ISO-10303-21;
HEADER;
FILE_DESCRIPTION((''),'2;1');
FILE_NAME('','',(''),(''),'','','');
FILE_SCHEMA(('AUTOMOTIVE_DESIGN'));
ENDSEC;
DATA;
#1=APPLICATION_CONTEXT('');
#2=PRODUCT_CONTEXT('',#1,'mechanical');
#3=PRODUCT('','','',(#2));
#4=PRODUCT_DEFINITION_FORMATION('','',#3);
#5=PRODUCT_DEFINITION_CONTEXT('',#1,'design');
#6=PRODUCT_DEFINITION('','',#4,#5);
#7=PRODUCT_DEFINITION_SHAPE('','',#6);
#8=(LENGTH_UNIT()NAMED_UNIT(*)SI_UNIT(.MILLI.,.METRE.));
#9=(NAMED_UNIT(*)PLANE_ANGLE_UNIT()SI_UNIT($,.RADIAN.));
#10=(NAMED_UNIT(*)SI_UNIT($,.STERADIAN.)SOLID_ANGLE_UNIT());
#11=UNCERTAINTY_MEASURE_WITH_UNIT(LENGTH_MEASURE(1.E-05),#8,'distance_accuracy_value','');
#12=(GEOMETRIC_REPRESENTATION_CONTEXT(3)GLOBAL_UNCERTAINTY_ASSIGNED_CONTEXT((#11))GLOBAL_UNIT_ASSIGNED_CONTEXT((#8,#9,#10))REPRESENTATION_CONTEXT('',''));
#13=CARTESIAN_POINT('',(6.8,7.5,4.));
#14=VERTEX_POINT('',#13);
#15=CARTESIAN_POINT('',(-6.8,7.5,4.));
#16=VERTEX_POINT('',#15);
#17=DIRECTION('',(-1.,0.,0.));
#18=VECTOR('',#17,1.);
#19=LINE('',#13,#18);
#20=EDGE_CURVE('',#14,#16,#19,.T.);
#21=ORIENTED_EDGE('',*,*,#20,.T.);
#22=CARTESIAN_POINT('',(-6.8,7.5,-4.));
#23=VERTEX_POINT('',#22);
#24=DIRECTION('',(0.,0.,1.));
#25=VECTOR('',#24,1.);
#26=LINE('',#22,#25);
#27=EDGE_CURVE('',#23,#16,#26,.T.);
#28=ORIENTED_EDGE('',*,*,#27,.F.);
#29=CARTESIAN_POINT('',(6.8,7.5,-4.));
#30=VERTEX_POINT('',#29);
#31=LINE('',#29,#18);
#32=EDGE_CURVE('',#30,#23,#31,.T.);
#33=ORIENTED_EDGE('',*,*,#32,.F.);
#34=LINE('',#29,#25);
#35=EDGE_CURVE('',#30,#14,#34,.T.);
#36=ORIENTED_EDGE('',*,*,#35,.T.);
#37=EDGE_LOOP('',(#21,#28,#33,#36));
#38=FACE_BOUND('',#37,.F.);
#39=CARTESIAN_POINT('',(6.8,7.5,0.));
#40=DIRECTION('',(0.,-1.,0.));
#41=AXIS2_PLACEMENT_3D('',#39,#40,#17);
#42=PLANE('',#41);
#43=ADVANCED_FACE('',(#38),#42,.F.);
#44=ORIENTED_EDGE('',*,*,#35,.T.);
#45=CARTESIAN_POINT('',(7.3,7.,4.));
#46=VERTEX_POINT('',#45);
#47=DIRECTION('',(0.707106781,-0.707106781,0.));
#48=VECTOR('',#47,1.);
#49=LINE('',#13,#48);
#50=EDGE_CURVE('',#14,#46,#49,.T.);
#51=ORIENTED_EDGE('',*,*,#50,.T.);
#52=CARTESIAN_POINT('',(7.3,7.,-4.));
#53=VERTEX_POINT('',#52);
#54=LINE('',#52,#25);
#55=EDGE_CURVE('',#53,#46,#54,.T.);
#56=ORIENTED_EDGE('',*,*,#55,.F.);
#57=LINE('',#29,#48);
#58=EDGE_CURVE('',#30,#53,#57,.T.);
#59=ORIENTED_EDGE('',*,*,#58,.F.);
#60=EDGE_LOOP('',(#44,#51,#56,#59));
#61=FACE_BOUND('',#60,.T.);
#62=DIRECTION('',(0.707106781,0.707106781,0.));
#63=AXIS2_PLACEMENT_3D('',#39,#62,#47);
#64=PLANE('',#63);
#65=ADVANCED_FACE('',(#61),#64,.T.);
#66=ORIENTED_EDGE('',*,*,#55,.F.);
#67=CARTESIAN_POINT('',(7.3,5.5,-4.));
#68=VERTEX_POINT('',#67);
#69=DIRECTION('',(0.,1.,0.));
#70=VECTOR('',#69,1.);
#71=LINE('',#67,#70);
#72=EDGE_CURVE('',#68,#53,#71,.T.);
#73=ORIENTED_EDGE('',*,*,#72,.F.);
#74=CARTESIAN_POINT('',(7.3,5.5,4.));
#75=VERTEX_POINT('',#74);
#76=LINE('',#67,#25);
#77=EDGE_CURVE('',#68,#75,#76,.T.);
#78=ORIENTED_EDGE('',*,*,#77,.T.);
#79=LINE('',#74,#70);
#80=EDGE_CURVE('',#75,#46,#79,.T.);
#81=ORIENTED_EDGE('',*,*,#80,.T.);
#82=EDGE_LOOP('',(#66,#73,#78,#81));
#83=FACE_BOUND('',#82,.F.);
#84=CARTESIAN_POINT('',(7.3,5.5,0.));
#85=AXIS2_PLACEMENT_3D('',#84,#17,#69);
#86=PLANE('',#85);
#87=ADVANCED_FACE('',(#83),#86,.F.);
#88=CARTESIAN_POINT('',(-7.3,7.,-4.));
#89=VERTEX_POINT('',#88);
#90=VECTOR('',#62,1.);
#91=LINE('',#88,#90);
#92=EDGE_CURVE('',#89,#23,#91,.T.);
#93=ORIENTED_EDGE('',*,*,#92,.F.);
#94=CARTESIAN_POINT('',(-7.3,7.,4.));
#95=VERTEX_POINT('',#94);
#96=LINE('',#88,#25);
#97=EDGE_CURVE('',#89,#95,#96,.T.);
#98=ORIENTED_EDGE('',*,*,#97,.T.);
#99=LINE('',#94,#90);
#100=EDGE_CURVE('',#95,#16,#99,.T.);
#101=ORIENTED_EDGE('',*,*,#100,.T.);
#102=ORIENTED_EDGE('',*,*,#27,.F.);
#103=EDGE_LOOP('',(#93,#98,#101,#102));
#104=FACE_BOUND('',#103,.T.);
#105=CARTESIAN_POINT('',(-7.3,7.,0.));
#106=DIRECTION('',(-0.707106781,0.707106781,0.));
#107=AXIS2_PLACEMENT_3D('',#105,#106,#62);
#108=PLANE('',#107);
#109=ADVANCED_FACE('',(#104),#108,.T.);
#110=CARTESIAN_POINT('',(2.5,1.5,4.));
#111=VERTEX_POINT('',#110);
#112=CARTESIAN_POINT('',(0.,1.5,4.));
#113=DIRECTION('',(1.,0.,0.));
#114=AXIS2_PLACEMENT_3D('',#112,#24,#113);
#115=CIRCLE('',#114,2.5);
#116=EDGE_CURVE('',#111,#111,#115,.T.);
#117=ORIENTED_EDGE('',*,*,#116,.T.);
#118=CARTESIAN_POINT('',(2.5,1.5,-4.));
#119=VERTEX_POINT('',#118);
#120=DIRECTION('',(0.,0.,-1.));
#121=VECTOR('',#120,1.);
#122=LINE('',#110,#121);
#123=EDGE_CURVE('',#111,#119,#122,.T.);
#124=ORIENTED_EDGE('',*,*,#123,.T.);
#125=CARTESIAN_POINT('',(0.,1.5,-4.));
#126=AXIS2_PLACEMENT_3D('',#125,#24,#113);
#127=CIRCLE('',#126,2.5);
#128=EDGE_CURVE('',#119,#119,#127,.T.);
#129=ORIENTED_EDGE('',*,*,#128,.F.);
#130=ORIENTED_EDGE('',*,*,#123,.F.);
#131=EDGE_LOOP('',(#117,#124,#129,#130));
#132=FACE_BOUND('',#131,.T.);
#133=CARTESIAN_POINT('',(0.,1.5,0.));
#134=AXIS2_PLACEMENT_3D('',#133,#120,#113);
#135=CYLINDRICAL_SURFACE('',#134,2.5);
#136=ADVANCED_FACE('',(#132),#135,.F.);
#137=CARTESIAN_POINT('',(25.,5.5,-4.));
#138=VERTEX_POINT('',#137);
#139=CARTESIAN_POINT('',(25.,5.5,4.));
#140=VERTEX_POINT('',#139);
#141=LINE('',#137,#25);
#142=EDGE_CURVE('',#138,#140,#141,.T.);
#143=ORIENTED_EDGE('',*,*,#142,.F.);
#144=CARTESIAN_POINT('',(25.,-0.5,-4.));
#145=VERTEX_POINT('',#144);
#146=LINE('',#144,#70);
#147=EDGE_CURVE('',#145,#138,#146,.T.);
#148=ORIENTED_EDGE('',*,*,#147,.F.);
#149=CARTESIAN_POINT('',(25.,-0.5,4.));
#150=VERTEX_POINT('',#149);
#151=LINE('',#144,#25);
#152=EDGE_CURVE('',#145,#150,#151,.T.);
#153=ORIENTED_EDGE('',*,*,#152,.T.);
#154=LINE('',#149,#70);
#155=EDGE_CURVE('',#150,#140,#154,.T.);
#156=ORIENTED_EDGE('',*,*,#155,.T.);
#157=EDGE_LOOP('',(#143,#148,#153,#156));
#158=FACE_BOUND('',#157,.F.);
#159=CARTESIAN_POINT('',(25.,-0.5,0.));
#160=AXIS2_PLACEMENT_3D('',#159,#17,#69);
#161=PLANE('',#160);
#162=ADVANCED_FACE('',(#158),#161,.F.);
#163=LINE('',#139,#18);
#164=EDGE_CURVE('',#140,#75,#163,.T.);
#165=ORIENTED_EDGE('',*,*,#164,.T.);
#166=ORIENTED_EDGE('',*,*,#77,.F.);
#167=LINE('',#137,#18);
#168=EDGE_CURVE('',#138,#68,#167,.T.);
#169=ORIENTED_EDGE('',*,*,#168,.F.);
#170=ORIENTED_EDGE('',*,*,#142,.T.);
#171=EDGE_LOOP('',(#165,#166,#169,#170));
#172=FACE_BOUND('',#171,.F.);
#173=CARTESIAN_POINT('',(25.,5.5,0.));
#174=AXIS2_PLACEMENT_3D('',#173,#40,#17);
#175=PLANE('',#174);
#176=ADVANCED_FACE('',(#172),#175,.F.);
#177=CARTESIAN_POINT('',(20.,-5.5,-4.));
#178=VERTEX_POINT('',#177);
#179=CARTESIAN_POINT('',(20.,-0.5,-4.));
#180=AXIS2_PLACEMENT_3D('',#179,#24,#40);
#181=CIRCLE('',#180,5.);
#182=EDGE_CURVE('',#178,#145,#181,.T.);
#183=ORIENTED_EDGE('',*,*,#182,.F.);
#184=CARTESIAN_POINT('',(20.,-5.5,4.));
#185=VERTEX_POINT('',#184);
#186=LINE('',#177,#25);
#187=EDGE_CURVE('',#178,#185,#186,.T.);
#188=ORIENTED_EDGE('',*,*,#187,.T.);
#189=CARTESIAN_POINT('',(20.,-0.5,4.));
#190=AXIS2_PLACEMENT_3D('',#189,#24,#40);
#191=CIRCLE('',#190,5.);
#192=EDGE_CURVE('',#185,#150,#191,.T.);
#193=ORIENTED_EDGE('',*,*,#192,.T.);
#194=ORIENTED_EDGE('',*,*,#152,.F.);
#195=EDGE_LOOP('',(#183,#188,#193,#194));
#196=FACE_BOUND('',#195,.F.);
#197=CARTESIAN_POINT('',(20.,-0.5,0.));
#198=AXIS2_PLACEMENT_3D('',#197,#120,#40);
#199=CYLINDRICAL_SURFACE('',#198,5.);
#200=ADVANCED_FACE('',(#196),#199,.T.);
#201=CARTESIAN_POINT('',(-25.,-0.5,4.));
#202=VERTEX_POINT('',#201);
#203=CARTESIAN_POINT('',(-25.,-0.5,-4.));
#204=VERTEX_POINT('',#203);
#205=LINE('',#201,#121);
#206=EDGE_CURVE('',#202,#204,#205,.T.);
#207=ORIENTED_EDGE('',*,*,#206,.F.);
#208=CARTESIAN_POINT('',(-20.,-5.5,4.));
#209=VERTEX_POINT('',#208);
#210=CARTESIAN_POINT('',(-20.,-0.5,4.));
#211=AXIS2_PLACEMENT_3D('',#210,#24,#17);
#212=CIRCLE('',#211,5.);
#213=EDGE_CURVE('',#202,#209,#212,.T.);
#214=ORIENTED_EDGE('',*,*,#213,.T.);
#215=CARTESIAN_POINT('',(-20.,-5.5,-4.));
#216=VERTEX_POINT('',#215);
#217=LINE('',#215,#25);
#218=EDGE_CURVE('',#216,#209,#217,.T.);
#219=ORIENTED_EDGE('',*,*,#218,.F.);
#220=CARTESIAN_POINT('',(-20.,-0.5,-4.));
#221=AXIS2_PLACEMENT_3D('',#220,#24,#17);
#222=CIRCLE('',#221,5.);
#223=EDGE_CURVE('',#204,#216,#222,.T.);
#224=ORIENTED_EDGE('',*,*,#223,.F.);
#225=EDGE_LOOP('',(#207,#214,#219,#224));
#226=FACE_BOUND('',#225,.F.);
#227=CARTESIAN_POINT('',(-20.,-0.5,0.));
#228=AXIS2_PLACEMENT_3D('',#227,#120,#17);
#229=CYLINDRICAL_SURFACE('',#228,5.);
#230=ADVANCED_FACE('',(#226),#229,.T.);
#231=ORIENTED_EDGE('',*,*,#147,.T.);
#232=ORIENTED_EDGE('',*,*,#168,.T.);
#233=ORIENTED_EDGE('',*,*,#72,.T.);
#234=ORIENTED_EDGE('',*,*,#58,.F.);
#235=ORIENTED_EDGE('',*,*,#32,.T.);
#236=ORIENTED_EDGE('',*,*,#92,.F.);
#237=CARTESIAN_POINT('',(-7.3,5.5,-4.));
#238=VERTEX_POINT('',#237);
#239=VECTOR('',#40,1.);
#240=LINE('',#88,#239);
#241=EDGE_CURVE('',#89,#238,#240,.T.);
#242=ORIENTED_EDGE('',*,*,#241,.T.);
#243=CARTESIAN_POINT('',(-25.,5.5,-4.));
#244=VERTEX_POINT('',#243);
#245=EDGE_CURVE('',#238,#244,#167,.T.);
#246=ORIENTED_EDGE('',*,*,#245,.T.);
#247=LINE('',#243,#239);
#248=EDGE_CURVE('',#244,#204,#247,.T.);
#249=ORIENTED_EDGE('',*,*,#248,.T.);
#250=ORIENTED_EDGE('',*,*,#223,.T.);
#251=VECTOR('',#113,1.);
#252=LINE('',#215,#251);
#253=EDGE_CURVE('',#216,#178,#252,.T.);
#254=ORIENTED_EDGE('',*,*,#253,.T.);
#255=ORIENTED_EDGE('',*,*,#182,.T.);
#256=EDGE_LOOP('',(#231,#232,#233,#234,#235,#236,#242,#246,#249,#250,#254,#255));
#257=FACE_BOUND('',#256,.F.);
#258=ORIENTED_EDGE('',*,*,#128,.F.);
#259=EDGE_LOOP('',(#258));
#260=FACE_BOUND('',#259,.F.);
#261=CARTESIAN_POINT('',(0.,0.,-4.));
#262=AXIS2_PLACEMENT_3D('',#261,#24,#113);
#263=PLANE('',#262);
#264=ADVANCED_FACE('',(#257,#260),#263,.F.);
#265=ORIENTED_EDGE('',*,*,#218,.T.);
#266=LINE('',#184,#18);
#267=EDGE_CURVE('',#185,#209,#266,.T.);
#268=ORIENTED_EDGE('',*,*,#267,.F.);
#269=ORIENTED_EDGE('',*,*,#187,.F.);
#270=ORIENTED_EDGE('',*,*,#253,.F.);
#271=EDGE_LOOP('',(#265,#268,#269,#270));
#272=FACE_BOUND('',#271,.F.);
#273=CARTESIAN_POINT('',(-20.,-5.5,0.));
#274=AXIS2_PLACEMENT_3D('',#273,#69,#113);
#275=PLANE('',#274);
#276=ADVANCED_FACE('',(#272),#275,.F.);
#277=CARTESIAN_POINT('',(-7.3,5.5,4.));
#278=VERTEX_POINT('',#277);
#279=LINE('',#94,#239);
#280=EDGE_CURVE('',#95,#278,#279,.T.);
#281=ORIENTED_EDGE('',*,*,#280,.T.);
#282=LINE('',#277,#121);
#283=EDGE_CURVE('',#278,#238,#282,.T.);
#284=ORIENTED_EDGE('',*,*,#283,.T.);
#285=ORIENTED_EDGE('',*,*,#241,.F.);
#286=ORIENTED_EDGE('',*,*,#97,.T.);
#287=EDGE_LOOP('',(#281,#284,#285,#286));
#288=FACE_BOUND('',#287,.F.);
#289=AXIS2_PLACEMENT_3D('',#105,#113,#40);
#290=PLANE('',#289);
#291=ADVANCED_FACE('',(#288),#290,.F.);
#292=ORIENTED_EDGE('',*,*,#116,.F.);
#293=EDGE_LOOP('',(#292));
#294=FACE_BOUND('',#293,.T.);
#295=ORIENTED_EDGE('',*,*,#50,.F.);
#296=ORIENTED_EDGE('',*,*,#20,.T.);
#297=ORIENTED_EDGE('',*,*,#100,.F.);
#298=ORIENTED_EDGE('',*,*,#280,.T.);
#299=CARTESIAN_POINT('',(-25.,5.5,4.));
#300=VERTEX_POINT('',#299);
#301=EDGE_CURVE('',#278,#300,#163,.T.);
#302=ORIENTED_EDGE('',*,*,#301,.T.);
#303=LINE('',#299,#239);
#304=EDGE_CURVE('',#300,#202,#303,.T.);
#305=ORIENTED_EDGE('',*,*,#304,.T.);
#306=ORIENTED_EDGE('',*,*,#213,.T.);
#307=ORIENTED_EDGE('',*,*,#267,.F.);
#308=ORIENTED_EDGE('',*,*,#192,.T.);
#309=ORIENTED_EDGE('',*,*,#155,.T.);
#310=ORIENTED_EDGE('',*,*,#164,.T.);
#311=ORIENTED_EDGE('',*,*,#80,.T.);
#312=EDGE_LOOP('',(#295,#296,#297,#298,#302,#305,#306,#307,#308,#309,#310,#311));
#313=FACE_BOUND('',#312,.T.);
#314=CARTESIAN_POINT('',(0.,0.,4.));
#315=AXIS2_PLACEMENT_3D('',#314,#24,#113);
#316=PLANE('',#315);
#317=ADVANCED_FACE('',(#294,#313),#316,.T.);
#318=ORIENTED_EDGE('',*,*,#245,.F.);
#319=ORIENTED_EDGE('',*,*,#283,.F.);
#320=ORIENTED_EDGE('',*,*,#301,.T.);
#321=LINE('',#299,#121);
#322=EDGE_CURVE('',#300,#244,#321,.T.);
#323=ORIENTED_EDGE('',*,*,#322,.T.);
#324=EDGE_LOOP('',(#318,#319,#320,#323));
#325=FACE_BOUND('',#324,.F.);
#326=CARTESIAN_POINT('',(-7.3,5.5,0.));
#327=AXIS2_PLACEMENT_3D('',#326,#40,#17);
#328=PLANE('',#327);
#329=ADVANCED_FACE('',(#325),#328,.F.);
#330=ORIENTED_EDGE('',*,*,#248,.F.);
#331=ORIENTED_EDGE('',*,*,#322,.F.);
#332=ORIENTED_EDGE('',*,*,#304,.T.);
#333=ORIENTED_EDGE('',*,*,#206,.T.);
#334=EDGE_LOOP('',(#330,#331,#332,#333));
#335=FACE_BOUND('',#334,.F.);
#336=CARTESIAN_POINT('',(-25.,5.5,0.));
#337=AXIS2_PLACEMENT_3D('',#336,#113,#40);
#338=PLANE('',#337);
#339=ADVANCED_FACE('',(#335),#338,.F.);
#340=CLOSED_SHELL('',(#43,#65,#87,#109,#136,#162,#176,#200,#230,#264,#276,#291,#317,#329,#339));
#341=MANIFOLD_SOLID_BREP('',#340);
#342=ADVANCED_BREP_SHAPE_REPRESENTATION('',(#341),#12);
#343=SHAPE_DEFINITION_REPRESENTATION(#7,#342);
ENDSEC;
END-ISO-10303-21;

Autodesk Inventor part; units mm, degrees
ref_plane "YZ Plane" through (0, 0, 0) normal (1, 0, 0) x (0, 1, 0)
ref_plane "XZ Plane" through (0, 0, 0) normal (0, 1, 0) x (-1, 0, 0)
ref_plane "XY Plane" through (0, 0, 0) normal (0, 0, 1) x (1, 0, 0)
sketch "草圖1" plane through (0, 0, 0) normal (0, 0, 1) x (1, 0, 0)
  line L0 (0, 0) -> (-25.6572, 0) construction
  line L1 (0, 0) -> (0, 25.6407) construction
  line L2 (-20, -5.5) -> (-8.1185, -5.5)
  line L3 (25, -0.5) -> (25, 5.5)
  line L4 (25, 5.5) -> (-25, 5.5)
  line L5 (-25, 5.5) -> (-25, -0.5)
  line L6 (-25, -5.5) -> (25, 5.5) construction
  line L7 (25, -5.5) -> (-25, 5.5) construction
  arc A0 (20, -5.5) -> (25, -0.5) centre (20, -0.5) ccw
  arc A1 (-25, -0.5) -> (-20, -5.5) centre (-20, -0.5) ccw
  line L8 (-8.1185, -5.5) -> (20, -5.5)
  line L9 (7.3, 5.5) -> (7.3, 7)
  line L10 (6.8, 7.5) -> (-6.8, 7.5)
  line L11 (-7.3, 7) -> (-7.3, 5.5)
  circle A2 centre (0, 1.5) radius 2.5
  line L12 (-7.3, 7) -> (-6.8, 7.5)
  line L13 (6.8, 7.5) -> (7.3, 7)
  point P0 (7.3, 7.5)
  point P1 (-7.3, 7.5)
  dimension "d0" = 50
  dimension "d4" = 5
  dimension "d13" = 2
  dimension "d14" = 14.6
  dimension "d15" = 5
  dimension "d20" = 0.5
  dimension "d21" = 0.5
  dimension "d22" = 0.5
  dimension "d23" = 0.5
  dimension "d27" = 11
  dimension "d28" = 4
extrude "擠出1" add sketch "草圖1" along normal mid plane 8
thread "螺紋1" size "M6x1" class "6H" standard "ANSI Metric M Profile" full length
equation "\"d21\" = d20"
equation "\"d22\" = d20"
equation "\"d23\" = d22"
equation "\"折彎半徑\" = 厚度"
equation "\"折彎離隙寬度\" = 厚度"
equation "\"折彎離隙深度\" = 0.5 * 厚度"
equation "\"轉角離隙大小\" = 4 * 厚度"
equation "\"最小剩餘\" = 2 * 厚度"
equation "\"轉移半徑\" = 折彎半徑"
equation "\"Jacobi半徑大小\" = 折彎半徑"
equation "\"間隙大小\" = 厚度"
equation "\"厚度\" = 8"
properties part number "0 零件" material "不鏽鋼"
